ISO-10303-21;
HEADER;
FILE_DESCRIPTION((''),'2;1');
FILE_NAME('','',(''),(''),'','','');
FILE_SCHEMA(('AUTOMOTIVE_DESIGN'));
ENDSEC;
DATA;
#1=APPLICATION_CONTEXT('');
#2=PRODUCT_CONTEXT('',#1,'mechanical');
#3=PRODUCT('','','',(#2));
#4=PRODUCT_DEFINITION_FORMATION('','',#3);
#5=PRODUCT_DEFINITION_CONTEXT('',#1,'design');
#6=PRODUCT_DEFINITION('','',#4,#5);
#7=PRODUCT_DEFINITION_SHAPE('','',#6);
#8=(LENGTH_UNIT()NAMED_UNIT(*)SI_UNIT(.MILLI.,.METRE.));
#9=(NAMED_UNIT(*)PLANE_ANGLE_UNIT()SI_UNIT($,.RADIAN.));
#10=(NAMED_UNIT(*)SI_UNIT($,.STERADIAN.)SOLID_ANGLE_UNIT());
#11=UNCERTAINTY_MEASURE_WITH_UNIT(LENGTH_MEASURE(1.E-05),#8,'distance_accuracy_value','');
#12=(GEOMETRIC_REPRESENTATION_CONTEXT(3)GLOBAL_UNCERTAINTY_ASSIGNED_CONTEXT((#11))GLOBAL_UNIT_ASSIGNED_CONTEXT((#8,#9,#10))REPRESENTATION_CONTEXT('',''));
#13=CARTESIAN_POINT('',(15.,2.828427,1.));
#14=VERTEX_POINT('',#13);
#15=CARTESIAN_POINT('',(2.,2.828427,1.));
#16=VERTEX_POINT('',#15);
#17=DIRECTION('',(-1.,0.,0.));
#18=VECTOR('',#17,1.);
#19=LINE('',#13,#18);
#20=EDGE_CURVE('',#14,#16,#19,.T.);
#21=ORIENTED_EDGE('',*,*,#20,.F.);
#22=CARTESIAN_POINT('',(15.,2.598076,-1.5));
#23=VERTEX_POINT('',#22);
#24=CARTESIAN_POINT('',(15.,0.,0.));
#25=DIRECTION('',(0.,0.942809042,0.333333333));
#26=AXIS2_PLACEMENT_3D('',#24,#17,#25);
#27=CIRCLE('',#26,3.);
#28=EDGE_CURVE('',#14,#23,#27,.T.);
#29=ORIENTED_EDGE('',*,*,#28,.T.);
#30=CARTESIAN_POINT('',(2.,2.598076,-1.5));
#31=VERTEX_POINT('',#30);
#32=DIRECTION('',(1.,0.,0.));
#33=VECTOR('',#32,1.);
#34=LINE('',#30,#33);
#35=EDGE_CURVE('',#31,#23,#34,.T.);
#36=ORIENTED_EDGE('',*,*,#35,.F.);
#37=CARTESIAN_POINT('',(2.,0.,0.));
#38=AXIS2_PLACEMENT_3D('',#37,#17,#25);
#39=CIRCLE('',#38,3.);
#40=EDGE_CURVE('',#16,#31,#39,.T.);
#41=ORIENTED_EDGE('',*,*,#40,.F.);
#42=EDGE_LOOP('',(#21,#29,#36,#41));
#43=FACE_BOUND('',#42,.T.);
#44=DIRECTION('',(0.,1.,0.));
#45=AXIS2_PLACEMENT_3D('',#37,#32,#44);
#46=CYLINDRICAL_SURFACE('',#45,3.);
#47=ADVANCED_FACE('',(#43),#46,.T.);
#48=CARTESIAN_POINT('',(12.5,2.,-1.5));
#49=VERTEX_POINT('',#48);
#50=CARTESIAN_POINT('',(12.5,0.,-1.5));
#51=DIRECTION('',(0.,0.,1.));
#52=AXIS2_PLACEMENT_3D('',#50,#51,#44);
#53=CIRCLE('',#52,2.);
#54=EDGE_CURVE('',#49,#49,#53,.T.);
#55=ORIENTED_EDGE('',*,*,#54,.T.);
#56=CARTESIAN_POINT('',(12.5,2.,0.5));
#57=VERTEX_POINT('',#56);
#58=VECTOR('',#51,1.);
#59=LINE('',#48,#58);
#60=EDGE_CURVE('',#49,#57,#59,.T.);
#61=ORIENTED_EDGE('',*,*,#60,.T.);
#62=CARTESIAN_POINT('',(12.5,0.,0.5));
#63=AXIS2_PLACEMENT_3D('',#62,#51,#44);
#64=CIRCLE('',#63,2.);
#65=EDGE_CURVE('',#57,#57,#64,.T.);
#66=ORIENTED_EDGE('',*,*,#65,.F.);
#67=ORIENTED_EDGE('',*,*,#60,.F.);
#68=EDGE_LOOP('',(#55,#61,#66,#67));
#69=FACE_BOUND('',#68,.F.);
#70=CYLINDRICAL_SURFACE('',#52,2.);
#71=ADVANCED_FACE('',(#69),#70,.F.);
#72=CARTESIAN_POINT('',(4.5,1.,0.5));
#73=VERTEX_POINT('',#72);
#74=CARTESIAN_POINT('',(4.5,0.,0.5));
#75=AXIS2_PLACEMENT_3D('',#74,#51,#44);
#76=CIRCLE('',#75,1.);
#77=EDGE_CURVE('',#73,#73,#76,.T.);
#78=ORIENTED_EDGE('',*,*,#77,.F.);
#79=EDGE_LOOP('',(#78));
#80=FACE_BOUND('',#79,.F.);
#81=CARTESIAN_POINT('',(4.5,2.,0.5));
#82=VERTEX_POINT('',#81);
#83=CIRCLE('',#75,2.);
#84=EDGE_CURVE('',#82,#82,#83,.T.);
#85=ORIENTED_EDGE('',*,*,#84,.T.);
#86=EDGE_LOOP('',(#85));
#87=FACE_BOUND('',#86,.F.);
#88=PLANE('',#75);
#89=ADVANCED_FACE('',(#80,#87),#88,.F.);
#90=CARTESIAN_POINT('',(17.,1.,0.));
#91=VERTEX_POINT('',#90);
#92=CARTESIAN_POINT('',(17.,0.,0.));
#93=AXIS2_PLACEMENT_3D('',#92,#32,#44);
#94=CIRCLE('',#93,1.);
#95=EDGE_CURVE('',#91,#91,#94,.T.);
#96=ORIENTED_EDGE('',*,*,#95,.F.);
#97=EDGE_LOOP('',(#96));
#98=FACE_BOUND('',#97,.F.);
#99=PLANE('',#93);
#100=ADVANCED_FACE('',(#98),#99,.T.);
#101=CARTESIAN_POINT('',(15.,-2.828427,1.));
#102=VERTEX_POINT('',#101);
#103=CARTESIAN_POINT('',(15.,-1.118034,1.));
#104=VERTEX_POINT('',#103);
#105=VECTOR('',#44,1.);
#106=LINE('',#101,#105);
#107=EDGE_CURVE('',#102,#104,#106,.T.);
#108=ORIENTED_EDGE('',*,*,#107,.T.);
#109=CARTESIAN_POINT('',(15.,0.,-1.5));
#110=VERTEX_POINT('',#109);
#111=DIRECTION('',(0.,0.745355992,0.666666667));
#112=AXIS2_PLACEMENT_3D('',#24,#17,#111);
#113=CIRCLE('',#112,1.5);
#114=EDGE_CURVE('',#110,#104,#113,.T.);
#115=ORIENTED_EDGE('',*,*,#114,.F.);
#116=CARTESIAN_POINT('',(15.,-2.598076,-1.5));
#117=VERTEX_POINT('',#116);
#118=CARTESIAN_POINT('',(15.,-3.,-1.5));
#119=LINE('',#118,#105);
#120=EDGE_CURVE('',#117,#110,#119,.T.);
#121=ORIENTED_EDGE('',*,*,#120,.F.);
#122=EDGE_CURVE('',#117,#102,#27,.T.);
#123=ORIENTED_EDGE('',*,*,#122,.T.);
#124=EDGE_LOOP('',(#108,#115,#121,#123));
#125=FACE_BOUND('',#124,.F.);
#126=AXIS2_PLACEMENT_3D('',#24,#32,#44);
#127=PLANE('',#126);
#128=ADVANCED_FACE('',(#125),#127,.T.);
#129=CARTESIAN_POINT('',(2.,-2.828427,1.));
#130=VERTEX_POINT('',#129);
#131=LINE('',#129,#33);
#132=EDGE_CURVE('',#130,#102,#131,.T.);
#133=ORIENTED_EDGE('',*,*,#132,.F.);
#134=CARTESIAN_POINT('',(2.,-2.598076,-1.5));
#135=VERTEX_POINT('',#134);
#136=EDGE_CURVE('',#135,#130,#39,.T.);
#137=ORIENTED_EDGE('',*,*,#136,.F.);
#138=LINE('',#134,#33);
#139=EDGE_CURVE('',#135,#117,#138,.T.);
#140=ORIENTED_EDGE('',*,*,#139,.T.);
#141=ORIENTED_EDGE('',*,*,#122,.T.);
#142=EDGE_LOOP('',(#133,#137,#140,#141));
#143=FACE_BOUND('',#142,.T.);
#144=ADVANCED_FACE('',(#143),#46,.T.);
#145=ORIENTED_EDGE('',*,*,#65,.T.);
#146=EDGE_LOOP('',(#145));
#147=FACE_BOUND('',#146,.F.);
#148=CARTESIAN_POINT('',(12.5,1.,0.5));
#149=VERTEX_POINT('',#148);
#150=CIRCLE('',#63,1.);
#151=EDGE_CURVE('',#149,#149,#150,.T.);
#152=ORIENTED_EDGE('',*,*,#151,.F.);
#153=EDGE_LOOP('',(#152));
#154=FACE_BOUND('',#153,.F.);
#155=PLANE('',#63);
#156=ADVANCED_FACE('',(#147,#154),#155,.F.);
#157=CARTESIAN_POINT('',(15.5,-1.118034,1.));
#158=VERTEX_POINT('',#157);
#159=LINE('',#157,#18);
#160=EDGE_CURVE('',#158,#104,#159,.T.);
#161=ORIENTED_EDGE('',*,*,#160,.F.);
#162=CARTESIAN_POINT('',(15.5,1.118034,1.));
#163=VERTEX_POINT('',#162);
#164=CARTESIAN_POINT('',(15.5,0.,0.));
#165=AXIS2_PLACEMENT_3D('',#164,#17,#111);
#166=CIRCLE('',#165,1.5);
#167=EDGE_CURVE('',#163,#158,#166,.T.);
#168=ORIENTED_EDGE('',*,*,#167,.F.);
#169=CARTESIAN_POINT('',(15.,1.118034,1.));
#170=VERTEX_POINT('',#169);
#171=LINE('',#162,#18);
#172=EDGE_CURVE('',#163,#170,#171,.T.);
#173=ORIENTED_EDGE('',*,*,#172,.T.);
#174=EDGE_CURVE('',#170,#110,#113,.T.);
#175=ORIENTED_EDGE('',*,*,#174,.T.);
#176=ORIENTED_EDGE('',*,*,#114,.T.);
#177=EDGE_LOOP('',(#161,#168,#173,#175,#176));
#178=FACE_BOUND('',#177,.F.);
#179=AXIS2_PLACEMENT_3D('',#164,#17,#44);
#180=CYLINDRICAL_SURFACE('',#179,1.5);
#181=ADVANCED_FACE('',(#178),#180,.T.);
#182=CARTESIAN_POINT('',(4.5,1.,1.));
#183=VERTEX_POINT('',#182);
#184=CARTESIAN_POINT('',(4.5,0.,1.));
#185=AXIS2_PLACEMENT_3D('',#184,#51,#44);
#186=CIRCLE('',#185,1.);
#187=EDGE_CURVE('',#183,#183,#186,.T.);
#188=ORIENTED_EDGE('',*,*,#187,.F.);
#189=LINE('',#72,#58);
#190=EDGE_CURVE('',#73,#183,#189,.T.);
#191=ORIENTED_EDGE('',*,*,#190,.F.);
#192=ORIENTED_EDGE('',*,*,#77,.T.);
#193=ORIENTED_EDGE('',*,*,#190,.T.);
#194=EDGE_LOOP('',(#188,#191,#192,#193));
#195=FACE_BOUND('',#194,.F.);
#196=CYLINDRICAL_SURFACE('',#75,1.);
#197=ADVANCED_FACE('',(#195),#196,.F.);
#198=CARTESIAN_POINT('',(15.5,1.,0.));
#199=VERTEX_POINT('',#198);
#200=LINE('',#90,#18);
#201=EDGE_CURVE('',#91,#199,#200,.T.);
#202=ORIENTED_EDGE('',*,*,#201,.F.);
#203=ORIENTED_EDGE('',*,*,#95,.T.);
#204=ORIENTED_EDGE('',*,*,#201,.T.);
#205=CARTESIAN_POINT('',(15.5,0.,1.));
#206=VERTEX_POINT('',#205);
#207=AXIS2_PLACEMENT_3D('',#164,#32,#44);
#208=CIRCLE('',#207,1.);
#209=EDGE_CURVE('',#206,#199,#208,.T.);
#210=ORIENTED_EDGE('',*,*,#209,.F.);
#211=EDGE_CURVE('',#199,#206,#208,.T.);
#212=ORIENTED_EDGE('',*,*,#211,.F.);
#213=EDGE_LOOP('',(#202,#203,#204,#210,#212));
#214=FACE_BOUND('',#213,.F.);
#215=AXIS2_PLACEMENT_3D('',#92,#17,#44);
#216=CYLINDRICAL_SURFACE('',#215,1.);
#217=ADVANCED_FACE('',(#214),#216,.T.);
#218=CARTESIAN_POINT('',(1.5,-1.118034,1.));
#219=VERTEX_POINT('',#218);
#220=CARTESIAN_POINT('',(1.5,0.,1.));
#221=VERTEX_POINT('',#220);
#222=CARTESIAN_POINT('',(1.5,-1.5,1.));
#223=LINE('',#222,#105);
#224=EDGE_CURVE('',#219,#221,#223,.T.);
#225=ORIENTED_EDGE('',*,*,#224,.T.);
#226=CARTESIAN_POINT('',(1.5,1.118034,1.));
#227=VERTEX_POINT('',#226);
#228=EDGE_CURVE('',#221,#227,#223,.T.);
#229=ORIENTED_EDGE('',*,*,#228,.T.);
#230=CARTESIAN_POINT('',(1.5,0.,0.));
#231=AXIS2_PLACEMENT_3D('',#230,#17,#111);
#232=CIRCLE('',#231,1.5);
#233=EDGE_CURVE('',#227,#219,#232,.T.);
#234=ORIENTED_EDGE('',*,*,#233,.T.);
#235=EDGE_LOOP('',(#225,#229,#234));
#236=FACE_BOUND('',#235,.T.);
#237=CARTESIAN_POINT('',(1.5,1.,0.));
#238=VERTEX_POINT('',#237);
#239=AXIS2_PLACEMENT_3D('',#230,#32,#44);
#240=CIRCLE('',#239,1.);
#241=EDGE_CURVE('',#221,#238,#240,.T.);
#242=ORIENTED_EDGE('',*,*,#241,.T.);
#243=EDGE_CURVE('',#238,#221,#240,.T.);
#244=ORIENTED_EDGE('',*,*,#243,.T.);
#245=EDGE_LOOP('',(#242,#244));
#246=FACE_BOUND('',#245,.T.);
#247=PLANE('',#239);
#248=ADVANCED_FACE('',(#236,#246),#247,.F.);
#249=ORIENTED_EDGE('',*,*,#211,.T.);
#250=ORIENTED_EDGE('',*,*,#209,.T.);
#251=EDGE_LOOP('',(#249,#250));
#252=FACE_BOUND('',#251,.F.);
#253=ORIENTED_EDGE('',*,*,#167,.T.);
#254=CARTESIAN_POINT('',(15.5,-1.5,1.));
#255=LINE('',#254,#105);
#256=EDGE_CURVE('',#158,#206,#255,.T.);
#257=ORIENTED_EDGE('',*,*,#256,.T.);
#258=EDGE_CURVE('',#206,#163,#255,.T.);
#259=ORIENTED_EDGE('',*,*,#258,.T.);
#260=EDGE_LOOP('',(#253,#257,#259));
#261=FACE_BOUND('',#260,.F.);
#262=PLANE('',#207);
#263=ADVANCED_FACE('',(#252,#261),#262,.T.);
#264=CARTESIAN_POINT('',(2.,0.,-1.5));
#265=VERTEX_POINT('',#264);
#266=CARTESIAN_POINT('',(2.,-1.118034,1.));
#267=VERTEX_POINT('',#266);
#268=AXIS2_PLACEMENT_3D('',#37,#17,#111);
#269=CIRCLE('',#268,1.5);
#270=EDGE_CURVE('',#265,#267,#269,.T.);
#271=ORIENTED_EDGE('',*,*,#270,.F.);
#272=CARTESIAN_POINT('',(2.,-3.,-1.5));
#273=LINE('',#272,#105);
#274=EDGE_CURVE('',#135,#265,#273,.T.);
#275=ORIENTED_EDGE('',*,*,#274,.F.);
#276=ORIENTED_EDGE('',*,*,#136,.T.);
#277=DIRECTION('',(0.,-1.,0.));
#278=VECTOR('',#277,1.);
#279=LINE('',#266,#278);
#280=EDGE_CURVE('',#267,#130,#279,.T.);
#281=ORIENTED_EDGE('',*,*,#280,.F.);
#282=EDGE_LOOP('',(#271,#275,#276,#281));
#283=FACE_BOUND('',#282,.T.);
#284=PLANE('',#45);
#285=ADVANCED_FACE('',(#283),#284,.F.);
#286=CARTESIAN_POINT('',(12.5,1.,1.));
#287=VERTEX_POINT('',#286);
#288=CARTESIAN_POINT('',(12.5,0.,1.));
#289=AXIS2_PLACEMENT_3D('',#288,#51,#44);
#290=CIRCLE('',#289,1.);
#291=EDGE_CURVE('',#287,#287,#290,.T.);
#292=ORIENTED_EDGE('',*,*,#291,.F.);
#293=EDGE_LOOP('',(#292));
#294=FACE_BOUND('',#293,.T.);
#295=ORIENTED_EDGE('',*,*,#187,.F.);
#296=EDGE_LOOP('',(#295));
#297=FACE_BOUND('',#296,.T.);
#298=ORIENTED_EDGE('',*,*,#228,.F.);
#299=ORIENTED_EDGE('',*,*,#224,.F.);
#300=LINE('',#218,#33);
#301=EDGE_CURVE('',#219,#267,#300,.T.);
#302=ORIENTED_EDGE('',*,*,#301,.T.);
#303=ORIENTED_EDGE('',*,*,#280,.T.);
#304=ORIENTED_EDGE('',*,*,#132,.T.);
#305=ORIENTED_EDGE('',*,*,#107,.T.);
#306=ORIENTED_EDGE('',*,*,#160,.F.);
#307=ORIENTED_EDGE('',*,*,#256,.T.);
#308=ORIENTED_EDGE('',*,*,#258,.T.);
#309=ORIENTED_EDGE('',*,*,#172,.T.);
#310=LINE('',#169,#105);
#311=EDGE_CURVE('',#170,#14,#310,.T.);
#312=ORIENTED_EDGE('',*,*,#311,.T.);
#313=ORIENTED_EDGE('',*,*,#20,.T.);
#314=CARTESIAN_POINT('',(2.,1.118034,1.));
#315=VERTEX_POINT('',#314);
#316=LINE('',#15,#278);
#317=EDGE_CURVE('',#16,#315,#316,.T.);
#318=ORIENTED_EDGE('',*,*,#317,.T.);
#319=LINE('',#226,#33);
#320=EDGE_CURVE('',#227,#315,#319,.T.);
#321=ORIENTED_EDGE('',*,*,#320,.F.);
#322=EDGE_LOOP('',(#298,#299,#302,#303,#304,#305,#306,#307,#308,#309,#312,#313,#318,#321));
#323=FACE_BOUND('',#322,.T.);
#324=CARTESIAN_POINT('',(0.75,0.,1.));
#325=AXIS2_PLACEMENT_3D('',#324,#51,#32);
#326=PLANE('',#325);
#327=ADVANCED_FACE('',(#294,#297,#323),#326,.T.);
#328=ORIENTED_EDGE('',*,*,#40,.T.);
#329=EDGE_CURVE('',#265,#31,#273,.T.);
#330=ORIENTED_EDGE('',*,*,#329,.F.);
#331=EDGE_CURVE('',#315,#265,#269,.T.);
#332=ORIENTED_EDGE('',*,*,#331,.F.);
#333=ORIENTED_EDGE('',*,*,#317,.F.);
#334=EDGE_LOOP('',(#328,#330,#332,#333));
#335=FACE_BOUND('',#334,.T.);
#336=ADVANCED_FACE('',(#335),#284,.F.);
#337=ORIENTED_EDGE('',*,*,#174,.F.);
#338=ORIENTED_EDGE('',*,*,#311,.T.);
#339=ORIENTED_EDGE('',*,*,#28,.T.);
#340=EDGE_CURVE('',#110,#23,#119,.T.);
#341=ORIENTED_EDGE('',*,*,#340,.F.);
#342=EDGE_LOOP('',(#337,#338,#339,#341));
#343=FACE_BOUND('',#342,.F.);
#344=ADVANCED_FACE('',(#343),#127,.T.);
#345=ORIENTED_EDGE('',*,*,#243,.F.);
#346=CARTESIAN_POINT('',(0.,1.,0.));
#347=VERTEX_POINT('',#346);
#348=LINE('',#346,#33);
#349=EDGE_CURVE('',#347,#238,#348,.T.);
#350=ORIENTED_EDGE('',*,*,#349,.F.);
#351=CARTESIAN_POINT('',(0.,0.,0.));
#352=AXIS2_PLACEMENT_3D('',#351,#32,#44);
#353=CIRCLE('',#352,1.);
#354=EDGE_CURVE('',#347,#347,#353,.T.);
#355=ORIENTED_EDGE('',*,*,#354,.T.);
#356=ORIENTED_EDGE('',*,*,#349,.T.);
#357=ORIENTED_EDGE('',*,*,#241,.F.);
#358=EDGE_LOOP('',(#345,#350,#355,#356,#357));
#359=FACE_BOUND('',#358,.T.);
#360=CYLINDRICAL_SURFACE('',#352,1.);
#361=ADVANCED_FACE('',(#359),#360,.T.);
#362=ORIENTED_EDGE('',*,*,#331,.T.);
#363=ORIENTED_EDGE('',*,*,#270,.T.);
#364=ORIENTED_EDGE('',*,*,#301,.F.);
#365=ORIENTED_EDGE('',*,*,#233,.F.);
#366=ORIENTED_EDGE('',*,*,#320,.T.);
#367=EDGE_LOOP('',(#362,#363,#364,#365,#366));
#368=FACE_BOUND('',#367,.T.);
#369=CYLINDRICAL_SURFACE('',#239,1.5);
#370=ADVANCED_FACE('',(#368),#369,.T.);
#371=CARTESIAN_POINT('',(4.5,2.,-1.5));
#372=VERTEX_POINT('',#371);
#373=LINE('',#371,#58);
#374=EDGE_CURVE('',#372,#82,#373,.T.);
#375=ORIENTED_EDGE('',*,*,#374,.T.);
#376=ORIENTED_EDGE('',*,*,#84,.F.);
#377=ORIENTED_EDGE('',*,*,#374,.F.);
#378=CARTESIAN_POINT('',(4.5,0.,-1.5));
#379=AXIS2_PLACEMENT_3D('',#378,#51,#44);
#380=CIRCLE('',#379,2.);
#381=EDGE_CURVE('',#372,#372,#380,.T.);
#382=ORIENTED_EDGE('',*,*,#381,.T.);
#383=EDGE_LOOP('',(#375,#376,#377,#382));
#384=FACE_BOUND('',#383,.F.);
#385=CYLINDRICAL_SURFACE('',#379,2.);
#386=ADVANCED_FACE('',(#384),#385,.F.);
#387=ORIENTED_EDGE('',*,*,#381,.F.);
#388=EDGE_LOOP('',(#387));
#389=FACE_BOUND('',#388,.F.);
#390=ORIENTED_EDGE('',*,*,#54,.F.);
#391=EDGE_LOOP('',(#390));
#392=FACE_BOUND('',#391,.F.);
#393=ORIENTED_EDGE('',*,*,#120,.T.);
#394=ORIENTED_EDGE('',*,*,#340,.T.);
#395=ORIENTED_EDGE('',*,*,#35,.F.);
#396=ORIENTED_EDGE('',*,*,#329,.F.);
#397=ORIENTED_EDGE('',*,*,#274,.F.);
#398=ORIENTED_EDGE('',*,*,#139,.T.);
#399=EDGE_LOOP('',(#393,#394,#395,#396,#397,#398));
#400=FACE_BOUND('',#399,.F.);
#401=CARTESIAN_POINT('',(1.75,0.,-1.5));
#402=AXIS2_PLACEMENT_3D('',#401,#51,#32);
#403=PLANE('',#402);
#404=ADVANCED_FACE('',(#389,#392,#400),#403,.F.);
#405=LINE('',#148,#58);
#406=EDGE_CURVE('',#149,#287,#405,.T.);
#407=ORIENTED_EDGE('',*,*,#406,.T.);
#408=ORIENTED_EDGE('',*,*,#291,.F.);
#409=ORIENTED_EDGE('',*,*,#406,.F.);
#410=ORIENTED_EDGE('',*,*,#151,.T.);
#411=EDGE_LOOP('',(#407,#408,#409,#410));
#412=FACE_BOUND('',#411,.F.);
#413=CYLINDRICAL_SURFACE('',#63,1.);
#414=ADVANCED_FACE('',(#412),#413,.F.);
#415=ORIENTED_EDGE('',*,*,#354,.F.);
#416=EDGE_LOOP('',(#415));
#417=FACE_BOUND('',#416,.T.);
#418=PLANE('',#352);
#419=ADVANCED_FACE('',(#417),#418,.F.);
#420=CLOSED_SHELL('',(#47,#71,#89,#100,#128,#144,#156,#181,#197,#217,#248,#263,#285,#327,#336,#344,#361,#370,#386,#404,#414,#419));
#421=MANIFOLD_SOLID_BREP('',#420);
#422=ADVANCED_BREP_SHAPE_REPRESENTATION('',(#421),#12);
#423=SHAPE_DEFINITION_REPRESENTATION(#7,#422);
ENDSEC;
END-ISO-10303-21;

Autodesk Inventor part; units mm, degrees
ref_plane "YZ Plane" through (0, 0, 0) normal (1, 0, 0) x (0, 1, 0)
ref_plane "XZ Plane" through (0, 0, 0) normal (0, 1, 0) x (-1, 0, 0)
sketch "Sketch1" plane through (0, 0, 0) normal (0, 0, 1) x (1, 0, 0)
  line L0 (0, 0) -> (8.5, 0)
  line L1 (0, 0) -> (0, 1)
  line L2 (0, 1) -> (1.5, 1)
  line L3 (1.5, 1) -> (1.5, 1.5)
  line L4 (1.5, 1.5) -> (2, 1.5)
  line L5 (2, 1.5) -> (2, 3)
  line L6 (8.5, 0) -> (8.5, 8.9525) construction
  line L7 (2, 3) -> (8.5, 3)
  line L8 (17, 0) -> (8.5, 0)
  line L9 (17, 0) -> (17, 1)
  line L10 (17, 1) -> (15.5, 1)
  line L11 (15.5, 1) -> (15.5, 1.5)
  line L12 (15.5, 1.5) -> (15, 1.5)
  line L13 (15, 1.5) -> (15, 3)
  line L14 (15, 3) -> (8.5, 3)
  dimension "d0" = 7
  dimension "d1" = 1
  dimension "d2" = 1.5
  dimension "d3" = 1.5
  dimension "d4" = 3
  dimension "d5" = 0.5
revolve "Revolution1" add sketch "Sketch1" angle 360 about axis through (0, 0, 0) along (1, 0, 0)
ref_plane "Work Plane1" through (0.75, 0, 1) normal (0, 0, 1) x (1, 0, 0)
sketch "Sketch2" plane through (0.75, 0, 1) normal (0, 0, 1) x (1, 0, 0)
  line L0 (1.25, -3) -> (1.25, 3) projected
  line L1 (14.25, -3) -> (14.25, 3) projected
  line L2 (0.75, -1.5) -> (0.75, 1.5) projected
  line L3 (1.25, -1.5) -> (1.25, 1.5) projected
  line L4 (14.25, -1.5) -> (14.25, 1.5) projected
  line L5 (14.75, -1.5) -> (14.75, 1.5) projected
  line L6 (0.75, 1.5) -> (1.25, 1.5) projected
  line L7 (0.75, -1.5) -> (1.25, -1.5) projected
  line L8 (14.25, 1.5) -> (14.75, 1.5) projected
  line L9 (14.25, -1.5) -> (14.75, -1.5) projected
  line L10 (1.25, -3) -> (14.25, -3) projected
  line L11 (1.25, 3) -> (14.25, 3) projected
  point P0 (-0.75, 0)
extrude "Extrusion1" cut sketch "Sketch2" along normal through all
ref_plane "Work Plane2" through (1.75, 0, -1.5) normal (0, 0, 1) x (1, 0, 0)
sketch "Sketch3" plane through (1.75, 0, -1.5) normal (0, 0, 1) x (1, 0, 0)
  line L0 (0.25, 3) -> (13.25, 3) projected
  line L1 (13.25, -3) -> (13.25, 3) projected
  line L2 (0.25, -3) -> (0.25, 3) projected
  line L3 (0.25, -3) -> (13.25, -3) projected
  point P0 (-1.75, 0)
  point P1 (13.25, -2.8284)
  point P2 (13.25, 2.8284)
  point P3 (0.25, -2.8284)
  point P4 (0.25, 2.8284)
extrude "Extrusion2" cut sketch "Sketch3" against normal through all
sketch "Sketch4" plane through (1.75, 0, -1.5) normal (0, 0, 1) x (1, 0, 0)
  line L0 (15.25, -1) -> (15.25, 1) projected
  line L1 (15.25, 0) -> (-1.75, 0) construction
  line L2 (6.75, 0) -> (6.75, 2.8511) construction
  line L3 (-1.75, 0) -> (15.25, 0) construction
  point P0 (10.75, 0)
  point P1 (2.75, 0)
  dimension "d11" = 8
hole "Hole1" at (12.5, 0, -1.5) at (4.5, 0, -1.5) direction (0, 0, 1) diameter 2 end through all counterbore diameter 4 counterbore depth 2
equation "\"d0\" = 0.5 * finger_inner_width"
equation "\"d4\" = 0.5 * finger_shaft_diameter"
equation "\"d11\" = finger_mounting_screw_distance"
equation "\"finger_mounting_screw_distance\" = 8"
equation "\"finger_shaft_diameter\" = 6"
equation "\"finger_inner_width\" = 14"
properties part number "0th_finger_mount"
